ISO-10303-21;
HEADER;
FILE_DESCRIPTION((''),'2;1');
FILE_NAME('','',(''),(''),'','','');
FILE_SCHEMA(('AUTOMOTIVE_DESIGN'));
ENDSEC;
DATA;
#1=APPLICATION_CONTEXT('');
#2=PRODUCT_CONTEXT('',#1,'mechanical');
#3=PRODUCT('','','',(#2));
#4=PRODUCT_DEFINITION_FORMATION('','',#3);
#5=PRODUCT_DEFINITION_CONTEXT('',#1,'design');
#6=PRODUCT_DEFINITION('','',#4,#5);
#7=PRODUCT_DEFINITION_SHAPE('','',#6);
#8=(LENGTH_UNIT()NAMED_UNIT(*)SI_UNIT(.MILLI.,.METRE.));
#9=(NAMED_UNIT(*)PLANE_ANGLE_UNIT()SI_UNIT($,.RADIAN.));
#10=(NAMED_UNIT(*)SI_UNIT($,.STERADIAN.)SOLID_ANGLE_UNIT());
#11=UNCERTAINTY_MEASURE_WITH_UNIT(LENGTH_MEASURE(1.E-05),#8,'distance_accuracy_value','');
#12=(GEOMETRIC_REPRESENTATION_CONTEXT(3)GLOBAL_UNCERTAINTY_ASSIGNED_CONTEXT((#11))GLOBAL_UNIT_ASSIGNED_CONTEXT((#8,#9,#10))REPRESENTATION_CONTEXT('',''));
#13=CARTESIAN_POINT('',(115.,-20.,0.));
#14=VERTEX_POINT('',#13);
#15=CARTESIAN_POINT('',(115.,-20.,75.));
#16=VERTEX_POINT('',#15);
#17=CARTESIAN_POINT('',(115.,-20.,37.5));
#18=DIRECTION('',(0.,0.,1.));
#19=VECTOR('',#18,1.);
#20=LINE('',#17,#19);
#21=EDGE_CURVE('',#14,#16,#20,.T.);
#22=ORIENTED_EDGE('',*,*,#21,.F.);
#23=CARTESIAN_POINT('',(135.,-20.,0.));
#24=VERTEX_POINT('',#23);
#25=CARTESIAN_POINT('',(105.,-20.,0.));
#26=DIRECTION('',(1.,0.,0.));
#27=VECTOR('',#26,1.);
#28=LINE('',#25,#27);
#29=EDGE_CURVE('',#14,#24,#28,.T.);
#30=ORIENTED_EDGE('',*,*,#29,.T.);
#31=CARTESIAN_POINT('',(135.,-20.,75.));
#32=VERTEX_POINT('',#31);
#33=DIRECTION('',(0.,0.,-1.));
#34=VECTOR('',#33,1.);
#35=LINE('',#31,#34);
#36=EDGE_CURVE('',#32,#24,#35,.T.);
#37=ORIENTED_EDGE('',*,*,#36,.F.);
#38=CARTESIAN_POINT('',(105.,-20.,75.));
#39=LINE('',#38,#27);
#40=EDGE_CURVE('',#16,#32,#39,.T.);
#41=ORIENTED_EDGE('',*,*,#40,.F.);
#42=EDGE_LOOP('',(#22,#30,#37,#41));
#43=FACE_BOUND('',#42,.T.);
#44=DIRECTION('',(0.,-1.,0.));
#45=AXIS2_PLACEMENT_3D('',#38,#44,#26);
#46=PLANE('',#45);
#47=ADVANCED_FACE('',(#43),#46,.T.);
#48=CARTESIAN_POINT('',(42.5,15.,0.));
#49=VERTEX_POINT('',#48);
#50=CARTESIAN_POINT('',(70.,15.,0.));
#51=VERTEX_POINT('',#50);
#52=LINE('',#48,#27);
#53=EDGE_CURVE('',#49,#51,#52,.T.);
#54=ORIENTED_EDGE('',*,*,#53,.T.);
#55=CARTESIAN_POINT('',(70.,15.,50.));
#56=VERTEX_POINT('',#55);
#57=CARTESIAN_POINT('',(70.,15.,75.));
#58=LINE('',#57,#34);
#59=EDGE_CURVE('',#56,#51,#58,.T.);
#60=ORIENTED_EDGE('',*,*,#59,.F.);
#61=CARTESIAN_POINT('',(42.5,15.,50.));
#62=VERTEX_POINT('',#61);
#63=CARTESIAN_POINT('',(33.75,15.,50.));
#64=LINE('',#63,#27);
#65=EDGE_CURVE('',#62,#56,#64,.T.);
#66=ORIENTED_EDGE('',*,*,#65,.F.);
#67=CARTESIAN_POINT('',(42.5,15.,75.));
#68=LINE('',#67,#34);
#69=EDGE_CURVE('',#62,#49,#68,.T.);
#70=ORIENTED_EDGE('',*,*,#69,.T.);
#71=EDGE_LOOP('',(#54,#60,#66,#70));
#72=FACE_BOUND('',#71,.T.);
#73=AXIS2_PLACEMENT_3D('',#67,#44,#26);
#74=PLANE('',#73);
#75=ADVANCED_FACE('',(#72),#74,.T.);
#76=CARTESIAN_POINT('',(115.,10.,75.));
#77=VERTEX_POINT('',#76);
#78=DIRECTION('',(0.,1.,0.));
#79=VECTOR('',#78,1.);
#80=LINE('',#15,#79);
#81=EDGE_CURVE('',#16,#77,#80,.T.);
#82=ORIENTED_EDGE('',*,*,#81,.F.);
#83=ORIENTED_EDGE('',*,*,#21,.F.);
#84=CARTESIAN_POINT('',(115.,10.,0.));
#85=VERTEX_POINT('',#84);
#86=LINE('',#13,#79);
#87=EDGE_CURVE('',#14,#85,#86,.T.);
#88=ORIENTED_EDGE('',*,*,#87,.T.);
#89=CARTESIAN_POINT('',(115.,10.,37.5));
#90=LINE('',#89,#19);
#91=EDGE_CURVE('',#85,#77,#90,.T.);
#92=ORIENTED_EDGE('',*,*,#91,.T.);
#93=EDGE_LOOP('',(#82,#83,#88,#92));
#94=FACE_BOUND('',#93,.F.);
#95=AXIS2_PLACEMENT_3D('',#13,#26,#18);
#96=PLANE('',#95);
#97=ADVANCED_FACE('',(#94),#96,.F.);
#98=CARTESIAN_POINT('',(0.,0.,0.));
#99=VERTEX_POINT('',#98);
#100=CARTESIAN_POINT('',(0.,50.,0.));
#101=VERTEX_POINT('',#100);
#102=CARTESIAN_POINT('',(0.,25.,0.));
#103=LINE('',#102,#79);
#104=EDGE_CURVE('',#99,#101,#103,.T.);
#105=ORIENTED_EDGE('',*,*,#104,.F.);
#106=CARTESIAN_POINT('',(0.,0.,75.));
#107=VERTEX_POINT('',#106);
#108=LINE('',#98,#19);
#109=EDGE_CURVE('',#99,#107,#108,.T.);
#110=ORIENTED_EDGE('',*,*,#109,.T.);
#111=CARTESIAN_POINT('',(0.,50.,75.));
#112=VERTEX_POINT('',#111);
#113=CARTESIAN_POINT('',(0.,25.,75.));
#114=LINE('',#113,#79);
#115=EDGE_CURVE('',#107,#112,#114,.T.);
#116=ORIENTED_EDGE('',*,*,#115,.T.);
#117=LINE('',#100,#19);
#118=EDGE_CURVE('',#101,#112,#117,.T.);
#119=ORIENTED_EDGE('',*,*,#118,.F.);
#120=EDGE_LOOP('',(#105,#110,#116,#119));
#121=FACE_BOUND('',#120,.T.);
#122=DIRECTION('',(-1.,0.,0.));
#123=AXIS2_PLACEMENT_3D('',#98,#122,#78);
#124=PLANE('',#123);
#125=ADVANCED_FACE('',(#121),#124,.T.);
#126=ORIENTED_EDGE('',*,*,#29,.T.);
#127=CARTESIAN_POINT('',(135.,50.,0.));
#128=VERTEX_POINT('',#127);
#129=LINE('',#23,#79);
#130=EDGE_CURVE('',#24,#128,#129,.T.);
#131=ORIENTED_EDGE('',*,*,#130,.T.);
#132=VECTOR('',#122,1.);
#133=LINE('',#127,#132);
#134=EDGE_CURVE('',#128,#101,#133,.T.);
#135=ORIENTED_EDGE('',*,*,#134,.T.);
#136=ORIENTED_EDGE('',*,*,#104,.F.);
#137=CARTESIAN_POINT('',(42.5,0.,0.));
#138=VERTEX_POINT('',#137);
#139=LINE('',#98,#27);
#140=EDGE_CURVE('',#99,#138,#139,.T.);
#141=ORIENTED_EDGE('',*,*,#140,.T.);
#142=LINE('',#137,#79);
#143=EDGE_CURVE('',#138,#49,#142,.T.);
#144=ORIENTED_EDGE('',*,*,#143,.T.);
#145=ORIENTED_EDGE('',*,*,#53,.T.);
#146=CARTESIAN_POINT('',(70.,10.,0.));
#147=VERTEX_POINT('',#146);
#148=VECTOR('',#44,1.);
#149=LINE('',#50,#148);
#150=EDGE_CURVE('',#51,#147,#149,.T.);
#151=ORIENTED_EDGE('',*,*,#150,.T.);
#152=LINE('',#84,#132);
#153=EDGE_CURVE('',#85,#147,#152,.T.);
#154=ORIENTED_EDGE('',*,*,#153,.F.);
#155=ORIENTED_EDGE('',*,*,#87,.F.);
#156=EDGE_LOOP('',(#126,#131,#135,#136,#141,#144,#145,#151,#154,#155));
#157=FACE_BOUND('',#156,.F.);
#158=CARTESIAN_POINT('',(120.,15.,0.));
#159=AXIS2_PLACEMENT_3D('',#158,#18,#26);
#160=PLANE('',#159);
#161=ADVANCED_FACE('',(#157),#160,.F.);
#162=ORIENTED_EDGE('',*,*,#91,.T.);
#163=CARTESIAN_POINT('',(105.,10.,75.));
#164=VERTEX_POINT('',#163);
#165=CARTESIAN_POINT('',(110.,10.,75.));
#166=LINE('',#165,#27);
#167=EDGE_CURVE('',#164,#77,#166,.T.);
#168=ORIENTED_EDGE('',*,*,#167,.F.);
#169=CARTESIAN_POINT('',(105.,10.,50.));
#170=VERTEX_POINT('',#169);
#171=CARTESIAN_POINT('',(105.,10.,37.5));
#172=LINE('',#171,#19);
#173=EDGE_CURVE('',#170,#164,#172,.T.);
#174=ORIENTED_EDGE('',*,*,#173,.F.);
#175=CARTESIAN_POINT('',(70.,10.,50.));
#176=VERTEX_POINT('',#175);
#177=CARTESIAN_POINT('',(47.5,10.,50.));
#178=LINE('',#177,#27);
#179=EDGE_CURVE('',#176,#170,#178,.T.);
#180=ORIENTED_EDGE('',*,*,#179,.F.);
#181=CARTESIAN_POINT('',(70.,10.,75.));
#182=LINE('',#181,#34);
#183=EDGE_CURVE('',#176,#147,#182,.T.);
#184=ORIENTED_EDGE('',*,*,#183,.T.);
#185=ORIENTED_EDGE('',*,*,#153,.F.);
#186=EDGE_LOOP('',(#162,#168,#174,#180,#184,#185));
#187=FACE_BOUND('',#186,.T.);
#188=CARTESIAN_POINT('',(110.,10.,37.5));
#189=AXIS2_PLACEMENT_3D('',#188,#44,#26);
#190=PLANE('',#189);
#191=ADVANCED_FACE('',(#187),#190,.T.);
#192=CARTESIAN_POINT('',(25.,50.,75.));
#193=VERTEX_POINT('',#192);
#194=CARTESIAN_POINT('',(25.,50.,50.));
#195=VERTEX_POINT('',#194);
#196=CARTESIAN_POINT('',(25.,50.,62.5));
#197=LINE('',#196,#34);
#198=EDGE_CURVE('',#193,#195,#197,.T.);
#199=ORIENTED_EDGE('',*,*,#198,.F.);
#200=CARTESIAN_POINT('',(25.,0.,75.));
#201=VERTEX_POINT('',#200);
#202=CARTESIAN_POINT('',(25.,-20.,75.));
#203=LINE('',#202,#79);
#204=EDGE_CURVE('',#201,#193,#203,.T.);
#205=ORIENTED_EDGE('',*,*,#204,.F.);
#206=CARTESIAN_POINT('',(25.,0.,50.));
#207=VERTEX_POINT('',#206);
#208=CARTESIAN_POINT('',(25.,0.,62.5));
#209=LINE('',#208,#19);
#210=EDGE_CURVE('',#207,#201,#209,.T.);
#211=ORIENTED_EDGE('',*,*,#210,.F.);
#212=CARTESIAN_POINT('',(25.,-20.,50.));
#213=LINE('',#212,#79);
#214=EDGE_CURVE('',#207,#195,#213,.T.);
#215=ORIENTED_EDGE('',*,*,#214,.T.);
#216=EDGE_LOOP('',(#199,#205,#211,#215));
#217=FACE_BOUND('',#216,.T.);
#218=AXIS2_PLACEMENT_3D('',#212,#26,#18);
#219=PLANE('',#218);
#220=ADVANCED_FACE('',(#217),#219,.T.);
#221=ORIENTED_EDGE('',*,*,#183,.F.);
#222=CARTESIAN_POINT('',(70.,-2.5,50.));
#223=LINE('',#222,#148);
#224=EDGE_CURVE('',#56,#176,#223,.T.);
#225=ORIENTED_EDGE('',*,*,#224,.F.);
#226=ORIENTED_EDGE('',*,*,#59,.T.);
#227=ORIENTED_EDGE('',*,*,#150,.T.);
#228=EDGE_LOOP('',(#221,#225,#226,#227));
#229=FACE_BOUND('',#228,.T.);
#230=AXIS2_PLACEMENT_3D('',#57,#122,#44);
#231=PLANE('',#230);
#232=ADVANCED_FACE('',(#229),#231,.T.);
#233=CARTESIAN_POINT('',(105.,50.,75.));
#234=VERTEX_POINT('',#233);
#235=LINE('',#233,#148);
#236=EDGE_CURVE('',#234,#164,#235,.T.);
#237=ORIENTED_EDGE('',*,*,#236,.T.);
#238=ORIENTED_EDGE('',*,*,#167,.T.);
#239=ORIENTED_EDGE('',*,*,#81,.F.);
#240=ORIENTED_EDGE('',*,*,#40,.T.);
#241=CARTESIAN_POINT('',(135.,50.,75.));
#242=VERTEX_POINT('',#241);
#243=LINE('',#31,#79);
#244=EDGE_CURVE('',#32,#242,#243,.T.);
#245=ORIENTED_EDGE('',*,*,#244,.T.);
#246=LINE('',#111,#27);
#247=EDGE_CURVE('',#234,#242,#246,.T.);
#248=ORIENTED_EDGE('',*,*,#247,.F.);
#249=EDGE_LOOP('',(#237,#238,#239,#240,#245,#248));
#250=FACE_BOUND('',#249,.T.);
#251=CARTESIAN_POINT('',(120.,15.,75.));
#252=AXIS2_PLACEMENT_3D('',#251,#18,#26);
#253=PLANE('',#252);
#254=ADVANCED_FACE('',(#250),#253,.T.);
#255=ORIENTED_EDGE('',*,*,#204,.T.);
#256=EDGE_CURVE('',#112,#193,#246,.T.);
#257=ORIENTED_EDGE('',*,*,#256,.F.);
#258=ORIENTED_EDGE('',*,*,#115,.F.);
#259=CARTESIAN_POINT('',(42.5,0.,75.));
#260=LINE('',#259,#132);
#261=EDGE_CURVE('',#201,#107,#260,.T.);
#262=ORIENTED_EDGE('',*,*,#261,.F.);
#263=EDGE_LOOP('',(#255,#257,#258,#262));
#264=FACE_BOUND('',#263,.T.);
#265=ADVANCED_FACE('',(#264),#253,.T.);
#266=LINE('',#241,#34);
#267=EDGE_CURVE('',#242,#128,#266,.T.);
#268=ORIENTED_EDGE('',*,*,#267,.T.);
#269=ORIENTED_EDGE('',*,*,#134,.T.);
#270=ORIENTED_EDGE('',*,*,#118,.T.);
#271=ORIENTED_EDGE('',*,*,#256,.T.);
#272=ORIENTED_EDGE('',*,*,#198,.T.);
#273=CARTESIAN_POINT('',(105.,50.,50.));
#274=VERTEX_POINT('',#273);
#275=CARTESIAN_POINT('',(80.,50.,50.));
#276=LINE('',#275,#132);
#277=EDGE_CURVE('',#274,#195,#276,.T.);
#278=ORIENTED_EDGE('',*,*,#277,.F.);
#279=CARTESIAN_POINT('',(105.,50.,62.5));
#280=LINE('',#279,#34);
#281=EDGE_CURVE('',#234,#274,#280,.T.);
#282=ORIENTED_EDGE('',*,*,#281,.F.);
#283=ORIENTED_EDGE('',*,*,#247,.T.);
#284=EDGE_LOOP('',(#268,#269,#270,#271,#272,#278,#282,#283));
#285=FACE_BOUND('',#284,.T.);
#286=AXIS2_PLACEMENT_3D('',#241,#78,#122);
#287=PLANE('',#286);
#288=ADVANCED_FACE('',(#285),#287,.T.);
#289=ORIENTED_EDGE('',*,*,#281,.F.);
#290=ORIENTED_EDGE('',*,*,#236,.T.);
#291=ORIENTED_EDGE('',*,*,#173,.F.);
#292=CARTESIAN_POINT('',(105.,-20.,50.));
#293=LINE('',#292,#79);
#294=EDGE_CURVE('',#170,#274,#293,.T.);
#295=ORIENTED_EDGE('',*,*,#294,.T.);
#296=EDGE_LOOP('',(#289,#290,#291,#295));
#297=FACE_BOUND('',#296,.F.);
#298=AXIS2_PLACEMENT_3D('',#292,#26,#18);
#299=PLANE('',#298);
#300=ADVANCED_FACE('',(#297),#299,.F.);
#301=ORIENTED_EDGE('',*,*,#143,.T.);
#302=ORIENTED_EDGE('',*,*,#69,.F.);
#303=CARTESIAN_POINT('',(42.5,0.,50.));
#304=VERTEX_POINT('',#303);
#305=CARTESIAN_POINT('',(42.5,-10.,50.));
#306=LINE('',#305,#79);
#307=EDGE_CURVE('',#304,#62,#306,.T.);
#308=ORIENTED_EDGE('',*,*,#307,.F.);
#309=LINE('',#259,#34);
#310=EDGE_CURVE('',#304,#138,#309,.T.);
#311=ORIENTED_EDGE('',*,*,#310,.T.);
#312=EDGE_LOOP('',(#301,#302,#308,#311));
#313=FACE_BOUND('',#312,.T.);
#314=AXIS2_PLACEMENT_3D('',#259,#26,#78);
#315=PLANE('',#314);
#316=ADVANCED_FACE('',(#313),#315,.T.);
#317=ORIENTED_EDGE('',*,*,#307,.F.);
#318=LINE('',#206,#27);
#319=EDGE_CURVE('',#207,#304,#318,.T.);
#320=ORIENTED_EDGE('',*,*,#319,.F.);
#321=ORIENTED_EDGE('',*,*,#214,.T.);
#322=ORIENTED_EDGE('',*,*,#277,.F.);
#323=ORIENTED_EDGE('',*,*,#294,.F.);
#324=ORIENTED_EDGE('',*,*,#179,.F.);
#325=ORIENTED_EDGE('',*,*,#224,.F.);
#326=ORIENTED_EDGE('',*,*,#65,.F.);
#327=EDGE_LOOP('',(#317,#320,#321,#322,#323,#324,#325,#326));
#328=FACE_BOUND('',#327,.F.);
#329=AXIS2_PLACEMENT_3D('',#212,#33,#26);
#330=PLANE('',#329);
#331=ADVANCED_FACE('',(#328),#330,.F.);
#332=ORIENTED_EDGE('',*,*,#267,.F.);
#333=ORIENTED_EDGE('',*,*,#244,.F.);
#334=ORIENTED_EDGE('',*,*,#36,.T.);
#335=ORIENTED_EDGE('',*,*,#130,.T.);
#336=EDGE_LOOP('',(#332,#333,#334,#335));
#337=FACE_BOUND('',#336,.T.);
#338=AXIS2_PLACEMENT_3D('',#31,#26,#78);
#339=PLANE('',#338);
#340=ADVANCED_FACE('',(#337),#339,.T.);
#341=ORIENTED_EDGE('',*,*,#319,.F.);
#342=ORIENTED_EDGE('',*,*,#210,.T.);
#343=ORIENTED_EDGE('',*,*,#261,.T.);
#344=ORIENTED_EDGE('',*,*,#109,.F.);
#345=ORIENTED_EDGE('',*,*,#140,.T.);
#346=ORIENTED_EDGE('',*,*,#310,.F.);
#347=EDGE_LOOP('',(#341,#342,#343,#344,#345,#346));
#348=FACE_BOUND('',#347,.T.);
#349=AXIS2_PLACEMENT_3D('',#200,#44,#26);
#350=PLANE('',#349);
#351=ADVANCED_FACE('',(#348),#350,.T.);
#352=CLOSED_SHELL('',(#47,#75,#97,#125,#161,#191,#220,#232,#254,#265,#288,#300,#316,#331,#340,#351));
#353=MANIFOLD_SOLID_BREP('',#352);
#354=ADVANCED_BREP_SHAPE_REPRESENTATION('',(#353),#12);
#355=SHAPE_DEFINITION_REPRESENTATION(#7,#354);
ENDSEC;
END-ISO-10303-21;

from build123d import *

# Parameters (mm, degrees)
F0_W     = 25
F0_H     = 50
F1_DEPTH = 75
F3_DEPTH = 75
F5_DEPTH = 75
F6_W     = 80
F6_H     = 25
F7_DEPTH = 75
F8_W     = 10
F8_H     = 75
F9_DEPTH = 30


with BuildPart() as f1:
    # F0 (on Top) → F1 (new body)
    with BuildSketch(Plane.XY):
        with Locations((12.5, 25)):
            Rectangle(F0_W, F0_H)
    extrude(amount=F1_DEPTH)

    # F2 (on face) → F3 (join)
    with BuildSketch(Plane.XY.offset(75)):
        Polygon((25, 50), (25, 0), (42.5, 0), (42.5, 15), (70, 15), (70, 10), (105, 10), (105, 50), align=None)
    extrude(amount=-F3_DEPTH)

    # F4 (on face) → F5 (join)
    with BuildSketch(Plane.XY.offset(75)):
        Polygon((135, 50), (105, 50), (105, 10), (105, -20), (135, -20), align=None)
    extrude(amount=-F5_DEPTH)

    # F6 (on face) → F7 (cut)
    with BuildSketch(Plane.XZ.offset(20)):
        with Locations((65, 62.5)):
            Rectangle(F6_W, F6_H)
    extrude(amount=-F7_DEPTH, mode=Mode.SUBTRACT)

    # F8 (on face) → F9 (cut)
    with BuildSketch(Plane.XZ.offset(20)):
        with Locations((110, 37.5)):
            Rectangle(F8_W, F8_H)
    extrude(amount=-F9_DEPTH, mode=Mode.SUBTRACT)


solid = f1.part
